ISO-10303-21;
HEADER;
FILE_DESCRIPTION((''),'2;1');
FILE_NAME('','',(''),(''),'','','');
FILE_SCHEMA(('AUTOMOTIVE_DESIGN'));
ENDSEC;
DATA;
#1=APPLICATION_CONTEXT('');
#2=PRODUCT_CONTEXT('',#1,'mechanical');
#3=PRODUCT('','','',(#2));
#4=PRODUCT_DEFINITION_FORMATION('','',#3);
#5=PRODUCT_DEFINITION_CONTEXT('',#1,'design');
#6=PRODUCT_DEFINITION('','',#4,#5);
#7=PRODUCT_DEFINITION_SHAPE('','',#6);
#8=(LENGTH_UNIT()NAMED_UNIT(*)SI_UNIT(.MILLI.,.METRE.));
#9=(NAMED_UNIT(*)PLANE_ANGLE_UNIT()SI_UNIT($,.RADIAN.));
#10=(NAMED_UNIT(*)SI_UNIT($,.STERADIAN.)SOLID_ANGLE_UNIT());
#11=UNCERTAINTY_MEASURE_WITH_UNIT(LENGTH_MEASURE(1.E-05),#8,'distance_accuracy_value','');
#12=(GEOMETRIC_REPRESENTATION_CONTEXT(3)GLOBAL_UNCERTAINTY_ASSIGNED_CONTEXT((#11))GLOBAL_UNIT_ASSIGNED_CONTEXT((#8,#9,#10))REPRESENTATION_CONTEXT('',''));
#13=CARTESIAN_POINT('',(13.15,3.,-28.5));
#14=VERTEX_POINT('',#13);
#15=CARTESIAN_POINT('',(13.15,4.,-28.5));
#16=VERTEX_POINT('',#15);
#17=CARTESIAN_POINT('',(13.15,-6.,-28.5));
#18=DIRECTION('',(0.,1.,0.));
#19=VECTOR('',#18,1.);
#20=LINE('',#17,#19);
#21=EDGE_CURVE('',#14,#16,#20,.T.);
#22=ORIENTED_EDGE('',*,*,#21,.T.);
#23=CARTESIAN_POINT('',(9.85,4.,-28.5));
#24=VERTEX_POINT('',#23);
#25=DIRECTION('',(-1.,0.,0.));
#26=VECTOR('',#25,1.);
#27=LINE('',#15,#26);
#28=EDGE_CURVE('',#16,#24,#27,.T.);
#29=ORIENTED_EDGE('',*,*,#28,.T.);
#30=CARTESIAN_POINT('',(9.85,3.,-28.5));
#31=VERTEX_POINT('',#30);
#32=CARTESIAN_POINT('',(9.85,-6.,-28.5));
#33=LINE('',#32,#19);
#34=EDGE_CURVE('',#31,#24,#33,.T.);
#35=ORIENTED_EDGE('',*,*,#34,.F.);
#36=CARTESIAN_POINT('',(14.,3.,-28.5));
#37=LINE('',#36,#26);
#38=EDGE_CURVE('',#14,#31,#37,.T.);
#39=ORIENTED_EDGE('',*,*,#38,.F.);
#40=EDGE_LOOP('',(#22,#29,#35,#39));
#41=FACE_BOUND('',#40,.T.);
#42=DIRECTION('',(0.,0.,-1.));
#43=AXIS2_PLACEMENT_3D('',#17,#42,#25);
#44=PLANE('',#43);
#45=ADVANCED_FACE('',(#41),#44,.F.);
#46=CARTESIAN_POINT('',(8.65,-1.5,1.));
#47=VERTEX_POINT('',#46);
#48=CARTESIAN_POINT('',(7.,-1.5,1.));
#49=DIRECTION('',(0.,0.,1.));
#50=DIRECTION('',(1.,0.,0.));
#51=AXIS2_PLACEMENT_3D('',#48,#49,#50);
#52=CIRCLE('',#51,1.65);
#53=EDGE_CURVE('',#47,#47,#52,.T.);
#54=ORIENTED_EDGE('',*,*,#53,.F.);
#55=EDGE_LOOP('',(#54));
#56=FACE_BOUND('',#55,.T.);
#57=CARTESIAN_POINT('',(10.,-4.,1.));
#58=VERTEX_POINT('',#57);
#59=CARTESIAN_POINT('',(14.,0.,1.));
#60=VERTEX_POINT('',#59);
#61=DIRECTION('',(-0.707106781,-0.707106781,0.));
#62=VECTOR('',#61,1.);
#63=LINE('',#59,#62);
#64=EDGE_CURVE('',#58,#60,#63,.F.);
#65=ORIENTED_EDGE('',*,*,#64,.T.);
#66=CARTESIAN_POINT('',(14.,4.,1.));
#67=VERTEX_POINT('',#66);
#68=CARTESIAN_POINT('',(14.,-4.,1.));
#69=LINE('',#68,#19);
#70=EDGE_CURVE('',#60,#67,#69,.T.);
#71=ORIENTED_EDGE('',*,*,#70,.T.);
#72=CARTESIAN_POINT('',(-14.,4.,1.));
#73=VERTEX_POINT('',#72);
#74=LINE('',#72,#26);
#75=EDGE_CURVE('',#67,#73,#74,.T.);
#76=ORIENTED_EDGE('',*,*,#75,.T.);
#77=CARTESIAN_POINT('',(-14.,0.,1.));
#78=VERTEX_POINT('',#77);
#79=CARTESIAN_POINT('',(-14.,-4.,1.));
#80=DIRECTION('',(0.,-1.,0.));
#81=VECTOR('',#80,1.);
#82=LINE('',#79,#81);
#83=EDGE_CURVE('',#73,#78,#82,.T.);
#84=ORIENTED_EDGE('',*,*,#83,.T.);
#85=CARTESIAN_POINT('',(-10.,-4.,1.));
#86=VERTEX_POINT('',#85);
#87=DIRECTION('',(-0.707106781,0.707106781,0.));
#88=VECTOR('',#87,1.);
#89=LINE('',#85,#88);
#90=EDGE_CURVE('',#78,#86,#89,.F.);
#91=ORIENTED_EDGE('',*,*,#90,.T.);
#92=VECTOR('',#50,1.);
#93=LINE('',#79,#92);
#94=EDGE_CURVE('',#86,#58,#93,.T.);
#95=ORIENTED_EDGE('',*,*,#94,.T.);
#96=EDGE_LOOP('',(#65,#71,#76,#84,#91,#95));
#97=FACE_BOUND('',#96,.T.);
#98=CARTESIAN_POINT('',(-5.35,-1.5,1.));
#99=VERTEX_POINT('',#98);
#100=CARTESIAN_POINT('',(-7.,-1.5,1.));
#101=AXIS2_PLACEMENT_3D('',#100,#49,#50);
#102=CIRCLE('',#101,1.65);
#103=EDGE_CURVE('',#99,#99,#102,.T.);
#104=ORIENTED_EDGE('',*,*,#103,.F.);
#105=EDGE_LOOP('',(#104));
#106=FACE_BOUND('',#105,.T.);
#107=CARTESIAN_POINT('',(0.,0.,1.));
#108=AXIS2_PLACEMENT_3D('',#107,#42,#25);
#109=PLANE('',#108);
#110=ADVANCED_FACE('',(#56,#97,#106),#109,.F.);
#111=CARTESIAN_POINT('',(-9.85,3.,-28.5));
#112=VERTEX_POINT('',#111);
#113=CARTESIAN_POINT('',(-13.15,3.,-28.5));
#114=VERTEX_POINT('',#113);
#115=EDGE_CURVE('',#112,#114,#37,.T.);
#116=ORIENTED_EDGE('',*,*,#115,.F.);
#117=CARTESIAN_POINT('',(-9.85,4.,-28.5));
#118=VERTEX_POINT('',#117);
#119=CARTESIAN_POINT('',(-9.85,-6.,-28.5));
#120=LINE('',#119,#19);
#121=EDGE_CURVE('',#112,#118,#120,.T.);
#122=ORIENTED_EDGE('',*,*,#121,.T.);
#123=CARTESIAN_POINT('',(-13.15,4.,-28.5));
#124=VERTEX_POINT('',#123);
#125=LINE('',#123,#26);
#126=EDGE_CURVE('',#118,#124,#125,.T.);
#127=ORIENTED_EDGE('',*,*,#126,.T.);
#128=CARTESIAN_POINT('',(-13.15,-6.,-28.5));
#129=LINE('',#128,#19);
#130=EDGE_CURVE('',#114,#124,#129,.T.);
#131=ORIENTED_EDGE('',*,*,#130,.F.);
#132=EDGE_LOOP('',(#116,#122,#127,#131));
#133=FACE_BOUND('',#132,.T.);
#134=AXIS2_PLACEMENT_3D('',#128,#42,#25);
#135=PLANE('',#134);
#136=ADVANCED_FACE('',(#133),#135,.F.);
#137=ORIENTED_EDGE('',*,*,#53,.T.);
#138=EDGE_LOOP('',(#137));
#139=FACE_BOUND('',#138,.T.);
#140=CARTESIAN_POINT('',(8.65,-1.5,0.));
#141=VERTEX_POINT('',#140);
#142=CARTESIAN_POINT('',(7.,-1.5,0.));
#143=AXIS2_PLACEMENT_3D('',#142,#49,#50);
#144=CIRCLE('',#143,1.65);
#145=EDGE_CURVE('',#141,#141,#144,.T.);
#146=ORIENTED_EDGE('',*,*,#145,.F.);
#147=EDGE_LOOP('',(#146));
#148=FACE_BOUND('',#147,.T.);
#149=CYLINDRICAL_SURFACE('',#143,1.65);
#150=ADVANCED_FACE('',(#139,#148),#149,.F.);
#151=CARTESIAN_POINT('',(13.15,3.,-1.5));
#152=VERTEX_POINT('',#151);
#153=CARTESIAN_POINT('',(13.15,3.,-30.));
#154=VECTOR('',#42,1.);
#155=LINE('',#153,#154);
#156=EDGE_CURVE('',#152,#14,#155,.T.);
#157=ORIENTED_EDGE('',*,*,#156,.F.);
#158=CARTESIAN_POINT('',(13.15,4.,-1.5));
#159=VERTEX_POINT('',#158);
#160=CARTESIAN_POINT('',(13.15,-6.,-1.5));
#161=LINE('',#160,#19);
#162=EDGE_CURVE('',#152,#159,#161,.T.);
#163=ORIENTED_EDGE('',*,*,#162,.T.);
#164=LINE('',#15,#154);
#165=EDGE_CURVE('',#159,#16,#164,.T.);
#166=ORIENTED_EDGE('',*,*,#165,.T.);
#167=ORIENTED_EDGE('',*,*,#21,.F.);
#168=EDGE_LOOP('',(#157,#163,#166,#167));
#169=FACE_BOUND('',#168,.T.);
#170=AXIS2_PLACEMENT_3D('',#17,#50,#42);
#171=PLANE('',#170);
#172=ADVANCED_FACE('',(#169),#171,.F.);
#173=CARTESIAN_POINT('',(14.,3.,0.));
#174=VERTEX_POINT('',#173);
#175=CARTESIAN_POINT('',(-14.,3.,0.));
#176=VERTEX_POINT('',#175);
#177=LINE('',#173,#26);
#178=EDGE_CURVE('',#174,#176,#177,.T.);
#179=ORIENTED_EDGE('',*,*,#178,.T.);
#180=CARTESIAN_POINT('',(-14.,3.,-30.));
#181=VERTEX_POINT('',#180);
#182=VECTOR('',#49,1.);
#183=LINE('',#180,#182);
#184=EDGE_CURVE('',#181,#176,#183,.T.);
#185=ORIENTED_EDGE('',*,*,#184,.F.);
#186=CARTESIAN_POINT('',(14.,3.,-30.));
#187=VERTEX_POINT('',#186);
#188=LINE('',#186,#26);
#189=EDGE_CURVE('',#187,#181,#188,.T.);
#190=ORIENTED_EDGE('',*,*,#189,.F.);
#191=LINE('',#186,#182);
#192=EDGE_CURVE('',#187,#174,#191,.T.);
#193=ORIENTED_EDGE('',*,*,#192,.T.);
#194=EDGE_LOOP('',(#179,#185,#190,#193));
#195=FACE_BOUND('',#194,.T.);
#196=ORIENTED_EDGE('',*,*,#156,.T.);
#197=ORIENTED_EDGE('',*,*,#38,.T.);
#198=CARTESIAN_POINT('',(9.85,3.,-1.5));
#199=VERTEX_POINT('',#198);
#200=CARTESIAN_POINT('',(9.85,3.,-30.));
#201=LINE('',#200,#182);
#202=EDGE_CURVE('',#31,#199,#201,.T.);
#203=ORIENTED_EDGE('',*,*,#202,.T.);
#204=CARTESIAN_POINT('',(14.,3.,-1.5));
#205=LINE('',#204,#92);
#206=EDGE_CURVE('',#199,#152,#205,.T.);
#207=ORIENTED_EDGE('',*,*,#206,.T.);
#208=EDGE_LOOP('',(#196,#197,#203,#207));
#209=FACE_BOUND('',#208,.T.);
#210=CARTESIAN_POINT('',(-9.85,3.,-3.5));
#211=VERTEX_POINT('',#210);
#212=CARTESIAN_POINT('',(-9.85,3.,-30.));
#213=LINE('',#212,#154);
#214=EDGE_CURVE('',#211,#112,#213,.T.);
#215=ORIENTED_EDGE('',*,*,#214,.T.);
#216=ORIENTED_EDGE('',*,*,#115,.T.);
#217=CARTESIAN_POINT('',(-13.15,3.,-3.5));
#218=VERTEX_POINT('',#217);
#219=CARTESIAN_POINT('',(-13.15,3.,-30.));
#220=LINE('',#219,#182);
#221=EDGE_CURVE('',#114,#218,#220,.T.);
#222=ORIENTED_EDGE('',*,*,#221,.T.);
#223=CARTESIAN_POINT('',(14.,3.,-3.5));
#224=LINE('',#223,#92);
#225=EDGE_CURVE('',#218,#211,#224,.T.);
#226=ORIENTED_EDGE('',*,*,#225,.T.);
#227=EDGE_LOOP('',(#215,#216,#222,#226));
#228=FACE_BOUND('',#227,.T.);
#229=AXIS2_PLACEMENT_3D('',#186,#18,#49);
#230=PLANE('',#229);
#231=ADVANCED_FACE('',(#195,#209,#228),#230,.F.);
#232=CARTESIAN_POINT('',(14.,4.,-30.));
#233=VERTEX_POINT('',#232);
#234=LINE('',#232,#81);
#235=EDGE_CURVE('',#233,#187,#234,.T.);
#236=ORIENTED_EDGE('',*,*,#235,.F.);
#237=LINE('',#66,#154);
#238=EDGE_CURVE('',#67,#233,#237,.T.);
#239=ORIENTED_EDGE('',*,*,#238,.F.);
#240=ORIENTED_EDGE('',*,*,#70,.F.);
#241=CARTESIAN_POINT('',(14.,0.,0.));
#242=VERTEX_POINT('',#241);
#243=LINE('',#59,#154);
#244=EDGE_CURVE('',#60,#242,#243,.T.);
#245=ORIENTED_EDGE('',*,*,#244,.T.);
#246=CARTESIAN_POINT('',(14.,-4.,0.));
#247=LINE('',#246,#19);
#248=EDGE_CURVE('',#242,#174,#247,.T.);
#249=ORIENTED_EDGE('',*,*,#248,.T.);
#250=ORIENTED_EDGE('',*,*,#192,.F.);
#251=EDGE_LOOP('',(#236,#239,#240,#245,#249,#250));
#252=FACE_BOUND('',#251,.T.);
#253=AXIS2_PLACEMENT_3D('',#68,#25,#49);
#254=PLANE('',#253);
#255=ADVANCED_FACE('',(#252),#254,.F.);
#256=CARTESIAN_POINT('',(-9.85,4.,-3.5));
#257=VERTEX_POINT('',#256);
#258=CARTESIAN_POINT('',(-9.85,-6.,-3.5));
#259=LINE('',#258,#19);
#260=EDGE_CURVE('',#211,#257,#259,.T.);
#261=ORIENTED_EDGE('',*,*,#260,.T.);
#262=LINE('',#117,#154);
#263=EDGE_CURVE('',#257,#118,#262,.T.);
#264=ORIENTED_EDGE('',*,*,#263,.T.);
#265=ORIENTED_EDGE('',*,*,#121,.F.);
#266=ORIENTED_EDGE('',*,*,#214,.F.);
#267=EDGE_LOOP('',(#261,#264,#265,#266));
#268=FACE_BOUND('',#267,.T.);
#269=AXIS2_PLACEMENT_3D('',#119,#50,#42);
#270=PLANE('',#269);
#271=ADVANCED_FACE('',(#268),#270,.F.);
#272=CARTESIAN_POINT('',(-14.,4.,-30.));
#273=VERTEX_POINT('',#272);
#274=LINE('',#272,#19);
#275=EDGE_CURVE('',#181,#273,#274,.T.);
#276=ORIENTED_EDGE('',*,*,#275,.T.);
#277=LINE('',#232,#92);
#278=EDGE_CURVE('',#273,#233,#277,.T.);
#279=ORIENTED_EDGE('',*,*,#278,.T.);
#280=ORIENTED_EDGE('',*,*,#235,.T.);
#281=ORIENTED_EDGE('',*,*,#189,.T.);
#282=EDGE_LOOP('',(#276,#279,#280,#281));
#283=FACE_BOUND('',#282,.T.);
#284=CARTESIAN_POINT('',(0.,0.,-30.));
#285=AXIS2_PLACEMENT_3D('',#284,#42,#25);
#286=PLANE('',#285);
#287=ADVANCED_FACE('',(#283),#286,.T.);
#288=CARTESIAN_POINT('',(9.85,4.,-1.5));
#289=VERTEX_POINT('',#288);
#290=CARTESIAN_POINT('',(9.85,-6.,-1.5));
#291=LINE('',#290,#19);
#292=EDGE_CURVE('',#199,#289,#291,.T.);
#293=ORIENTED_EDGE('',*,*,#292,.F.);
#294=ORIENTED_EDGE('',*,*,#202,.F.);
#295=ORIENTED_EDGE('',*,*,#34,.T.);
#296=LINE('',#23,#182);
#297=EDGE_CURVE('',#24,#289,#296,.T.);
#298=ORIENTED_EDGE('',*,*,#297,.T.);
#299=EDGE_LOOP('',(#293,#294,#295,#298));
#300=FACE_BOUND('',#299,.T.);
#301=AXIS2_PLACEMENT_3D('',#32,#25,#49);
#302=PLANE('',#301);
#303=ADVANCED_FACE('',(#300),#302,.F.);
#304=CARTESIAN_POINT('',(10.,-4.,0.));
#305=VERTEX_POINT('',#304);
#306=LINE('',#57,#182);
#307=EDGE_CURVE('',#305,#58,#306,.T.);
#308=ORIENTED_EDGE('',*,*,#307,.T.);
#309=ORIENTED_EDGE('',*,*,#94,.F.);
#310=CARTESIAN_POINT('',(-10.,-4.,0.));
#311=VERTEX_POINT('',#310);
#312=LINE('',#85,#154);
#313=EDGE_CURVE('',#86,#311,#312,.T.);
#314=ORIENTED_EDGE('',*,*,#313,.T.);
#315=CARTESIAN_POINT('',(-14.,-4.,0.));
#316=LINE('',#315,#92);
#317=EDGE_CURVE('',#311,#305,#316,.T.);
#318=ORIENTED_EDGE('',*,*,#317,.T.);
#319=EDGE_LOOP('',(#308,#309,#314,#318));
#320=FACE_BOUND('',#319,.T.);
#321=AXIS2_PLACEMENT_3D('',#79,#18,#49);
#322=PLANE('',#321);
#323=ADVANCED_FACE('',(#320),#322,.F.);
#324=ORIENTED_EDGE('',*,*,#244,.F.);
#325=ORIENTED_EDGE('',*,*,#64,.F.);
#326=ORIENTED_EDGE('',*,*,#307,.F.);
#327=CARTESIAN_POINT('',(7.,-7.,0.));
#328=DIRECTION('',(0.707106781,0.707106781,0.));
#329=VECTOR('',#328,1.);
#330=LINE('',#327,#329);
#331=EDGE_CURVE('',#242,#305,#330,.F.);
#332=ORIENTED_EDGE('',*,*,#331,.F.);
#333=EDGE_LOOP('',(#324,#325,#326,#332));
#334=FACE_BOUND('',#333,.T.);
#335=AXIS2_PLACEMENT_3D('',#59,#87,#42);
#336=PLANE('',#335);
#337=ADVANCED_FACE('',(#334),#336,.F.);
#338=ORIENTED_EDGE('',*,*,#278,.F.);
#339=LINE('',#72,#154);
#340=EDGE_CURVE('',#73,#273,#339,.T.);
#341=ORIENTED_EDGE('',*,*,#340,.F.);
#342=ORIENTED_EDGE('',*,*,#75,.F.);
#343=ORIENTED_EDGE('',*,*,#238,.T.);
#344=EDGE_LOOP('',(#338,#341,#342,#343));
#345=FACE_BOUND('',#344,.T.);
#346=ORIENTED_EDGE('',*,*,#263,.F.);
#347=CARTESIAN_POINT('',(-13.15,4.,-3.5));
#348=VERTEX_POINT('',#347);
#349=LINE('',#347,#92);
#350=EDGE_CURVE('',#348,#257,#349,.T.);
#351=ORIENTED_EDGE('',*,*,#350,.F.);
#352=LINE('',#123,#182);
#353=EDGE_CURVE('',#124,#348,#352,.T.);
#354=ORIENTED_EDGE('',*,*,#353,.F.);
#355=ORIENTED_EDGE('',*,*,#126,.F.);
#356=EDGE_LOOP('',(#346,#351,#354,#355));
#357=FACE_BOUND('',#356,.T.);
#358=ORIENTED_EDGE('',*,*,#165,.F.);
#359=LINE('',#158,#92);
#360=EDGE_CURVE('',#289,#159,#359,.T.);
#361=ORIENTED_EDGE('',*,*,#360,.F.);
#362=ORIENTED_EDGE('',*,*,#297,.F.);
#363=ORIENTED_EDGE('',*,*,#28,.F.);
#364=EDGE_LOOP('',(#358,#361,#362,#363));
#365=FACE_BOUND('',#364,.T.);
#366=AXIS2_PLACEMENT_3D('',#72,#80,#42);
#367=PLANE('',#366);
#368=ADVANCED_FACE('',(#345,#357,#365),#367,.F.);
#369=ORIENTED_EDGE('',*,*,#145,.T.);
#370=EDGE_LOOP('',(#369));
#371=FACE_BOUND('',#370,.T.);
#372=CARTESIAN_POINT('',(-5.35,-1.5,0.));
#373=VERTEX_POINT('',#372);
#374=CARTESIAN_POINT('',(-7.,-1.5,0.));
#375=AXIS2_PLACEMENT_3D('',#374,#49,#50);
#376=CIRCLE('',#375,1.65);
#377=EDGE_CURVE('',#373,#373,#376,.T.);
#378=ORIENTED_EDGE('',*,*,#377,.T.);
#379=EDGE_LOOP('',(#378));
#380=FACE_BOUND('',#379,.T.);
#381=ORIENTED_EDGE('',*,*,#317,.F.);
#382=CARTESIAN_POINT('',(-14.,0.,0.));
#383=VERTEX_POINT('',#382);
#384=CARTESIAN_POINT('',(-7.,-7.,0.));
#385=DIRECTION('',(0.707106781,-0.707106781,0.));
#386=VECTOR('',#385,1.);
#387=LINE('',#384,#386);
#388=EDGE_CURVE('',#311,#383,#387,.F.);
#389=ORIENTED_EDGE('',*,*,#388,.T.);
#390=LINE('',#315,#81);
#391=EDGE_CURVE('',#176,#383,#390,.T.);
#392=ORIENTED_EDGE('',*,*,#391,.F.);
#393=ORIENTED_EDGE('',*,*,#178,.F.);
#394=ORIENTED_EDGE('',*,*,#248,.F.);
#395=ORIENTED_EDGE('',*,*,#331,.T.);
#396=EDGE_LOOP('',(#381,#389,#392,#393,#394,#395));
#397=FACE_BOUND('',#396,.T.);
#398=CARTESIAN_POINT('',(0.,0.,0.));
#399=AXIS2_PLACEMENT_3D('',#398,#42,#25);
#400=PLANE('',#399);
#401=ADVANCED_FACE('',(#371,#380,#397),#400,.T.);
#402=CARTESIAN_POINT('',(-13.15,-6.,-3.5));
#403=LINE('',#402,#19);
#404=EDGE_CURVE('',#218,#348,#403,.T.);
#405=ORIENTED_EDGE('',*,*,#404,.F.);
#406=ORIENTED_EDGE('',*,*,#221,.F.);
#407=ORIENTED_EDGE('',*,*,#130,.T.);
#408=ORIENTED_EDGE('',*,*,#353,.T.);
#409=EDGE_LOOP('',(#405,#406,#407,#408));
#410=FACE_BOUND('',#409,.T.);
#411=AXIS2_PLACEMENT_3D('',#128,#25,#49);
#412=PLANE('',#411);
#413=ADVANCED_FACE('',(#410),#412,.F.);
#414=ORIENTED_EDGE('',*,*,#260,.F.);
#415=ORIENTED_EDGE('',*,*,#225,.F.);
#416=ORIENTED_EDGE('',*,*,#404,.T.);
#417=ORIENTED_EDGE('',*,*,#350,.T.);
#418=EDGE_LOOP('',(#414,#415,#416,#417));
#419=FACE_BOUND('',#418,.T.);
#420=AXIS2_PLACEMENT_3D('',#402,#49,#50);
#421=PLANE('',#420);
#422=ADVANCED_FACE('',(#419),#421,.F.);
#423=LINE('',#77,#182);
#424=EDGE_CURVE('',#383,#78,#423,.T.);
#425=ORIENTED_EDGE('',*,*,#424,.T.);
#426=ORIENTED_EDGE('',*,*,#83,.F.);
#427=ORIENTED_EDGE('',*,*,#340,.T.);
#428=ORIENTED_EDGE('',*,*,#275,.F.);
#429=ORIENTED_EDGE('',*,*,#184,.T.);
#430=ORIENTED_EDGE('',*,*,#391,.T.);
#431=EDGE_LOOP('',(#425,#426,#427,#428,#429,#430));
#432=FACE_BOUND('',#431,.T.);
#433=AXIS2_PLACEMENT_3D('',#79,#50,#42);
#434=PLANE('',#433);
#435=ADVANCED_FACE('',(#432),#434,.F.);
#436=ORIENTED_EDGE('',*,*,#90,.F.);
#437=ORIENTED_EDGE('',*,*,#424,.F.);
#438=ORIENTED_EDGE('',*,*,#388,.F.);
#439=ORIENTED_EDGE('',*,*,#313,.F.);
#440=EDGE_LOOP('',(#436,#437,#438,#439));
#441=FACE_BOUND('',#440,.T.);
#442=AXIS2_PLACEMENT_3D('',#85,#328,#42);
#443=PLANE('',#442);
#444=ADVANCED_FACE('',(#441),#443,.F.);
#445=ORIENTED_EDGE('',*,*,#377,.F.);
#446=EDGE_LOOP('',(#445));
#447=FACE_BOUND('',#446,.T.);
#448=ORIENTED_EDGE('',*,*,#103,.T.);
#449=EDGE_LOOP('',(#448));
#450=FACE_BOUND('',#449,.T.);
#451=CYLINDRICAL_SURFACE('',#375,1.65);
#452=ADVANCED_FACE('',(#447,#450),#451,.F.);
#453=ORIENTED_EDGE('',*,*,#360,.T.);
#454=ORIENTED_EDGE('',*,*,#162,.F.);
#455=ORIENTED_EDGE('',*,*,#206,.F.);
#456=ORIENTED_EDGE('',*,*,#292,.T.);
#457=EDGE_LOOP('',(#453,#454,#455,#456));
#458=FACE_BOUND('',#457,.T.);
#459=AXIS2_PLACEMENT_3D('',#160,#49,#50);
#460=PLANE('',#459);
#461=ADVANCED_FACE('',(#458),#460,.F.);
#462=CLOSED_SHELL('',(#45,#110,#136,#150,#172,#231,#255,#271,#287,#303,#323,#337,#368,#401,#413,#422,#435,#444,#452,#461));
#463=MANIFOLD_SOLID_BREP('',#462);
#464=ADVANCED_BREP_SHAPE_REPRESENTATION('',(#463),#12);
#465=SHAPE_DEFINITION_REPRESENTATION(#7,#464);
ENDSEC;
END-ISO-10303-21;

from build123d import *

# Parameters (mm, degrees)
SKETCH1_W           = 28
SKETCH1_H           = 8
BOSS_EXTRUDE1_DEPTH = 1
SKETCH2_W           = 28
SKETCH2_H           = 1
BOSS_EXTRUDE2_DEPTH = 30
SKETCH3_R           = 1.65
CUT_EXTRUDE1_DEPTH  = 1
CHAMFER1_SIZE       = 4
SKETCH4_W           = 3.3
SKETCH4_H           = 27
SKETCH4_H_2         = 25
CUT_EXTRUDE2_DEPTH  = 10


with BuildPart() as part:
    # Sketch1 → Boss-Extrude1 (new body)
    with BuildSketch(Plane.XY):
        Rectangle(SKETCH1_W, SKETCH1_H)
    extrude(amount=BOSS_EXTRUDE1_DEPTH)

    # Sketch2 → Boss-Extrude2 (add)
    with BuildSketch(Plane(origin=(0, 0, 0), x_dir=(-1, 0, 0), z_dir=(0, 0, -1))):
        with Locations((0, 3.5)):
            Rectangle(SKETCH2_W, SKETCH2_H)
    extrude(amount=BOSS_EXTRUDE2_DEPTH)

    # Sketch3 → Cut-Extrude1 (cut)
    with BuildSketch(Plane.XY.offset(1)):
        with Locations((-7, -1.5)):
            Circle(SKETCH3_R)
        with Locations((7, -1.5)):
            Circle(SKETCH3_R)
    extrude(amount=-CUT_EXTRUDE1_DEPTH, mode=Mode.SUBTRACT)

    # Chamfer1
    chamfer1_edges = [part.edges().sort_by_distance(p)[0] for p in [
        (14, -4, 0.5),
        (-14, -4, 0.5),
    ]]
    chamfer(chamfer1_edges, length=CHAMFER1_SIZE)

    # Sketch4 → Cut-Extrude2 (cut)
    with BuildSketch(Plane(origin=(0, 4, 0), x_dir=(1, 0, 0), z_dir=(0, 1, 0))):
        with Locations((11.5, 15)):
            Rectangle(SKETCH4_W, SKETCH4_H)
        with Locations((-11.5, 16)):
            Rectangle(SKETCH4_W, SKETCH4_H_2)
    extrude(amount=-CUT_EXTRUDE2_DEPTH, mode=Mode.SUBTRACT)


solid = part.part
